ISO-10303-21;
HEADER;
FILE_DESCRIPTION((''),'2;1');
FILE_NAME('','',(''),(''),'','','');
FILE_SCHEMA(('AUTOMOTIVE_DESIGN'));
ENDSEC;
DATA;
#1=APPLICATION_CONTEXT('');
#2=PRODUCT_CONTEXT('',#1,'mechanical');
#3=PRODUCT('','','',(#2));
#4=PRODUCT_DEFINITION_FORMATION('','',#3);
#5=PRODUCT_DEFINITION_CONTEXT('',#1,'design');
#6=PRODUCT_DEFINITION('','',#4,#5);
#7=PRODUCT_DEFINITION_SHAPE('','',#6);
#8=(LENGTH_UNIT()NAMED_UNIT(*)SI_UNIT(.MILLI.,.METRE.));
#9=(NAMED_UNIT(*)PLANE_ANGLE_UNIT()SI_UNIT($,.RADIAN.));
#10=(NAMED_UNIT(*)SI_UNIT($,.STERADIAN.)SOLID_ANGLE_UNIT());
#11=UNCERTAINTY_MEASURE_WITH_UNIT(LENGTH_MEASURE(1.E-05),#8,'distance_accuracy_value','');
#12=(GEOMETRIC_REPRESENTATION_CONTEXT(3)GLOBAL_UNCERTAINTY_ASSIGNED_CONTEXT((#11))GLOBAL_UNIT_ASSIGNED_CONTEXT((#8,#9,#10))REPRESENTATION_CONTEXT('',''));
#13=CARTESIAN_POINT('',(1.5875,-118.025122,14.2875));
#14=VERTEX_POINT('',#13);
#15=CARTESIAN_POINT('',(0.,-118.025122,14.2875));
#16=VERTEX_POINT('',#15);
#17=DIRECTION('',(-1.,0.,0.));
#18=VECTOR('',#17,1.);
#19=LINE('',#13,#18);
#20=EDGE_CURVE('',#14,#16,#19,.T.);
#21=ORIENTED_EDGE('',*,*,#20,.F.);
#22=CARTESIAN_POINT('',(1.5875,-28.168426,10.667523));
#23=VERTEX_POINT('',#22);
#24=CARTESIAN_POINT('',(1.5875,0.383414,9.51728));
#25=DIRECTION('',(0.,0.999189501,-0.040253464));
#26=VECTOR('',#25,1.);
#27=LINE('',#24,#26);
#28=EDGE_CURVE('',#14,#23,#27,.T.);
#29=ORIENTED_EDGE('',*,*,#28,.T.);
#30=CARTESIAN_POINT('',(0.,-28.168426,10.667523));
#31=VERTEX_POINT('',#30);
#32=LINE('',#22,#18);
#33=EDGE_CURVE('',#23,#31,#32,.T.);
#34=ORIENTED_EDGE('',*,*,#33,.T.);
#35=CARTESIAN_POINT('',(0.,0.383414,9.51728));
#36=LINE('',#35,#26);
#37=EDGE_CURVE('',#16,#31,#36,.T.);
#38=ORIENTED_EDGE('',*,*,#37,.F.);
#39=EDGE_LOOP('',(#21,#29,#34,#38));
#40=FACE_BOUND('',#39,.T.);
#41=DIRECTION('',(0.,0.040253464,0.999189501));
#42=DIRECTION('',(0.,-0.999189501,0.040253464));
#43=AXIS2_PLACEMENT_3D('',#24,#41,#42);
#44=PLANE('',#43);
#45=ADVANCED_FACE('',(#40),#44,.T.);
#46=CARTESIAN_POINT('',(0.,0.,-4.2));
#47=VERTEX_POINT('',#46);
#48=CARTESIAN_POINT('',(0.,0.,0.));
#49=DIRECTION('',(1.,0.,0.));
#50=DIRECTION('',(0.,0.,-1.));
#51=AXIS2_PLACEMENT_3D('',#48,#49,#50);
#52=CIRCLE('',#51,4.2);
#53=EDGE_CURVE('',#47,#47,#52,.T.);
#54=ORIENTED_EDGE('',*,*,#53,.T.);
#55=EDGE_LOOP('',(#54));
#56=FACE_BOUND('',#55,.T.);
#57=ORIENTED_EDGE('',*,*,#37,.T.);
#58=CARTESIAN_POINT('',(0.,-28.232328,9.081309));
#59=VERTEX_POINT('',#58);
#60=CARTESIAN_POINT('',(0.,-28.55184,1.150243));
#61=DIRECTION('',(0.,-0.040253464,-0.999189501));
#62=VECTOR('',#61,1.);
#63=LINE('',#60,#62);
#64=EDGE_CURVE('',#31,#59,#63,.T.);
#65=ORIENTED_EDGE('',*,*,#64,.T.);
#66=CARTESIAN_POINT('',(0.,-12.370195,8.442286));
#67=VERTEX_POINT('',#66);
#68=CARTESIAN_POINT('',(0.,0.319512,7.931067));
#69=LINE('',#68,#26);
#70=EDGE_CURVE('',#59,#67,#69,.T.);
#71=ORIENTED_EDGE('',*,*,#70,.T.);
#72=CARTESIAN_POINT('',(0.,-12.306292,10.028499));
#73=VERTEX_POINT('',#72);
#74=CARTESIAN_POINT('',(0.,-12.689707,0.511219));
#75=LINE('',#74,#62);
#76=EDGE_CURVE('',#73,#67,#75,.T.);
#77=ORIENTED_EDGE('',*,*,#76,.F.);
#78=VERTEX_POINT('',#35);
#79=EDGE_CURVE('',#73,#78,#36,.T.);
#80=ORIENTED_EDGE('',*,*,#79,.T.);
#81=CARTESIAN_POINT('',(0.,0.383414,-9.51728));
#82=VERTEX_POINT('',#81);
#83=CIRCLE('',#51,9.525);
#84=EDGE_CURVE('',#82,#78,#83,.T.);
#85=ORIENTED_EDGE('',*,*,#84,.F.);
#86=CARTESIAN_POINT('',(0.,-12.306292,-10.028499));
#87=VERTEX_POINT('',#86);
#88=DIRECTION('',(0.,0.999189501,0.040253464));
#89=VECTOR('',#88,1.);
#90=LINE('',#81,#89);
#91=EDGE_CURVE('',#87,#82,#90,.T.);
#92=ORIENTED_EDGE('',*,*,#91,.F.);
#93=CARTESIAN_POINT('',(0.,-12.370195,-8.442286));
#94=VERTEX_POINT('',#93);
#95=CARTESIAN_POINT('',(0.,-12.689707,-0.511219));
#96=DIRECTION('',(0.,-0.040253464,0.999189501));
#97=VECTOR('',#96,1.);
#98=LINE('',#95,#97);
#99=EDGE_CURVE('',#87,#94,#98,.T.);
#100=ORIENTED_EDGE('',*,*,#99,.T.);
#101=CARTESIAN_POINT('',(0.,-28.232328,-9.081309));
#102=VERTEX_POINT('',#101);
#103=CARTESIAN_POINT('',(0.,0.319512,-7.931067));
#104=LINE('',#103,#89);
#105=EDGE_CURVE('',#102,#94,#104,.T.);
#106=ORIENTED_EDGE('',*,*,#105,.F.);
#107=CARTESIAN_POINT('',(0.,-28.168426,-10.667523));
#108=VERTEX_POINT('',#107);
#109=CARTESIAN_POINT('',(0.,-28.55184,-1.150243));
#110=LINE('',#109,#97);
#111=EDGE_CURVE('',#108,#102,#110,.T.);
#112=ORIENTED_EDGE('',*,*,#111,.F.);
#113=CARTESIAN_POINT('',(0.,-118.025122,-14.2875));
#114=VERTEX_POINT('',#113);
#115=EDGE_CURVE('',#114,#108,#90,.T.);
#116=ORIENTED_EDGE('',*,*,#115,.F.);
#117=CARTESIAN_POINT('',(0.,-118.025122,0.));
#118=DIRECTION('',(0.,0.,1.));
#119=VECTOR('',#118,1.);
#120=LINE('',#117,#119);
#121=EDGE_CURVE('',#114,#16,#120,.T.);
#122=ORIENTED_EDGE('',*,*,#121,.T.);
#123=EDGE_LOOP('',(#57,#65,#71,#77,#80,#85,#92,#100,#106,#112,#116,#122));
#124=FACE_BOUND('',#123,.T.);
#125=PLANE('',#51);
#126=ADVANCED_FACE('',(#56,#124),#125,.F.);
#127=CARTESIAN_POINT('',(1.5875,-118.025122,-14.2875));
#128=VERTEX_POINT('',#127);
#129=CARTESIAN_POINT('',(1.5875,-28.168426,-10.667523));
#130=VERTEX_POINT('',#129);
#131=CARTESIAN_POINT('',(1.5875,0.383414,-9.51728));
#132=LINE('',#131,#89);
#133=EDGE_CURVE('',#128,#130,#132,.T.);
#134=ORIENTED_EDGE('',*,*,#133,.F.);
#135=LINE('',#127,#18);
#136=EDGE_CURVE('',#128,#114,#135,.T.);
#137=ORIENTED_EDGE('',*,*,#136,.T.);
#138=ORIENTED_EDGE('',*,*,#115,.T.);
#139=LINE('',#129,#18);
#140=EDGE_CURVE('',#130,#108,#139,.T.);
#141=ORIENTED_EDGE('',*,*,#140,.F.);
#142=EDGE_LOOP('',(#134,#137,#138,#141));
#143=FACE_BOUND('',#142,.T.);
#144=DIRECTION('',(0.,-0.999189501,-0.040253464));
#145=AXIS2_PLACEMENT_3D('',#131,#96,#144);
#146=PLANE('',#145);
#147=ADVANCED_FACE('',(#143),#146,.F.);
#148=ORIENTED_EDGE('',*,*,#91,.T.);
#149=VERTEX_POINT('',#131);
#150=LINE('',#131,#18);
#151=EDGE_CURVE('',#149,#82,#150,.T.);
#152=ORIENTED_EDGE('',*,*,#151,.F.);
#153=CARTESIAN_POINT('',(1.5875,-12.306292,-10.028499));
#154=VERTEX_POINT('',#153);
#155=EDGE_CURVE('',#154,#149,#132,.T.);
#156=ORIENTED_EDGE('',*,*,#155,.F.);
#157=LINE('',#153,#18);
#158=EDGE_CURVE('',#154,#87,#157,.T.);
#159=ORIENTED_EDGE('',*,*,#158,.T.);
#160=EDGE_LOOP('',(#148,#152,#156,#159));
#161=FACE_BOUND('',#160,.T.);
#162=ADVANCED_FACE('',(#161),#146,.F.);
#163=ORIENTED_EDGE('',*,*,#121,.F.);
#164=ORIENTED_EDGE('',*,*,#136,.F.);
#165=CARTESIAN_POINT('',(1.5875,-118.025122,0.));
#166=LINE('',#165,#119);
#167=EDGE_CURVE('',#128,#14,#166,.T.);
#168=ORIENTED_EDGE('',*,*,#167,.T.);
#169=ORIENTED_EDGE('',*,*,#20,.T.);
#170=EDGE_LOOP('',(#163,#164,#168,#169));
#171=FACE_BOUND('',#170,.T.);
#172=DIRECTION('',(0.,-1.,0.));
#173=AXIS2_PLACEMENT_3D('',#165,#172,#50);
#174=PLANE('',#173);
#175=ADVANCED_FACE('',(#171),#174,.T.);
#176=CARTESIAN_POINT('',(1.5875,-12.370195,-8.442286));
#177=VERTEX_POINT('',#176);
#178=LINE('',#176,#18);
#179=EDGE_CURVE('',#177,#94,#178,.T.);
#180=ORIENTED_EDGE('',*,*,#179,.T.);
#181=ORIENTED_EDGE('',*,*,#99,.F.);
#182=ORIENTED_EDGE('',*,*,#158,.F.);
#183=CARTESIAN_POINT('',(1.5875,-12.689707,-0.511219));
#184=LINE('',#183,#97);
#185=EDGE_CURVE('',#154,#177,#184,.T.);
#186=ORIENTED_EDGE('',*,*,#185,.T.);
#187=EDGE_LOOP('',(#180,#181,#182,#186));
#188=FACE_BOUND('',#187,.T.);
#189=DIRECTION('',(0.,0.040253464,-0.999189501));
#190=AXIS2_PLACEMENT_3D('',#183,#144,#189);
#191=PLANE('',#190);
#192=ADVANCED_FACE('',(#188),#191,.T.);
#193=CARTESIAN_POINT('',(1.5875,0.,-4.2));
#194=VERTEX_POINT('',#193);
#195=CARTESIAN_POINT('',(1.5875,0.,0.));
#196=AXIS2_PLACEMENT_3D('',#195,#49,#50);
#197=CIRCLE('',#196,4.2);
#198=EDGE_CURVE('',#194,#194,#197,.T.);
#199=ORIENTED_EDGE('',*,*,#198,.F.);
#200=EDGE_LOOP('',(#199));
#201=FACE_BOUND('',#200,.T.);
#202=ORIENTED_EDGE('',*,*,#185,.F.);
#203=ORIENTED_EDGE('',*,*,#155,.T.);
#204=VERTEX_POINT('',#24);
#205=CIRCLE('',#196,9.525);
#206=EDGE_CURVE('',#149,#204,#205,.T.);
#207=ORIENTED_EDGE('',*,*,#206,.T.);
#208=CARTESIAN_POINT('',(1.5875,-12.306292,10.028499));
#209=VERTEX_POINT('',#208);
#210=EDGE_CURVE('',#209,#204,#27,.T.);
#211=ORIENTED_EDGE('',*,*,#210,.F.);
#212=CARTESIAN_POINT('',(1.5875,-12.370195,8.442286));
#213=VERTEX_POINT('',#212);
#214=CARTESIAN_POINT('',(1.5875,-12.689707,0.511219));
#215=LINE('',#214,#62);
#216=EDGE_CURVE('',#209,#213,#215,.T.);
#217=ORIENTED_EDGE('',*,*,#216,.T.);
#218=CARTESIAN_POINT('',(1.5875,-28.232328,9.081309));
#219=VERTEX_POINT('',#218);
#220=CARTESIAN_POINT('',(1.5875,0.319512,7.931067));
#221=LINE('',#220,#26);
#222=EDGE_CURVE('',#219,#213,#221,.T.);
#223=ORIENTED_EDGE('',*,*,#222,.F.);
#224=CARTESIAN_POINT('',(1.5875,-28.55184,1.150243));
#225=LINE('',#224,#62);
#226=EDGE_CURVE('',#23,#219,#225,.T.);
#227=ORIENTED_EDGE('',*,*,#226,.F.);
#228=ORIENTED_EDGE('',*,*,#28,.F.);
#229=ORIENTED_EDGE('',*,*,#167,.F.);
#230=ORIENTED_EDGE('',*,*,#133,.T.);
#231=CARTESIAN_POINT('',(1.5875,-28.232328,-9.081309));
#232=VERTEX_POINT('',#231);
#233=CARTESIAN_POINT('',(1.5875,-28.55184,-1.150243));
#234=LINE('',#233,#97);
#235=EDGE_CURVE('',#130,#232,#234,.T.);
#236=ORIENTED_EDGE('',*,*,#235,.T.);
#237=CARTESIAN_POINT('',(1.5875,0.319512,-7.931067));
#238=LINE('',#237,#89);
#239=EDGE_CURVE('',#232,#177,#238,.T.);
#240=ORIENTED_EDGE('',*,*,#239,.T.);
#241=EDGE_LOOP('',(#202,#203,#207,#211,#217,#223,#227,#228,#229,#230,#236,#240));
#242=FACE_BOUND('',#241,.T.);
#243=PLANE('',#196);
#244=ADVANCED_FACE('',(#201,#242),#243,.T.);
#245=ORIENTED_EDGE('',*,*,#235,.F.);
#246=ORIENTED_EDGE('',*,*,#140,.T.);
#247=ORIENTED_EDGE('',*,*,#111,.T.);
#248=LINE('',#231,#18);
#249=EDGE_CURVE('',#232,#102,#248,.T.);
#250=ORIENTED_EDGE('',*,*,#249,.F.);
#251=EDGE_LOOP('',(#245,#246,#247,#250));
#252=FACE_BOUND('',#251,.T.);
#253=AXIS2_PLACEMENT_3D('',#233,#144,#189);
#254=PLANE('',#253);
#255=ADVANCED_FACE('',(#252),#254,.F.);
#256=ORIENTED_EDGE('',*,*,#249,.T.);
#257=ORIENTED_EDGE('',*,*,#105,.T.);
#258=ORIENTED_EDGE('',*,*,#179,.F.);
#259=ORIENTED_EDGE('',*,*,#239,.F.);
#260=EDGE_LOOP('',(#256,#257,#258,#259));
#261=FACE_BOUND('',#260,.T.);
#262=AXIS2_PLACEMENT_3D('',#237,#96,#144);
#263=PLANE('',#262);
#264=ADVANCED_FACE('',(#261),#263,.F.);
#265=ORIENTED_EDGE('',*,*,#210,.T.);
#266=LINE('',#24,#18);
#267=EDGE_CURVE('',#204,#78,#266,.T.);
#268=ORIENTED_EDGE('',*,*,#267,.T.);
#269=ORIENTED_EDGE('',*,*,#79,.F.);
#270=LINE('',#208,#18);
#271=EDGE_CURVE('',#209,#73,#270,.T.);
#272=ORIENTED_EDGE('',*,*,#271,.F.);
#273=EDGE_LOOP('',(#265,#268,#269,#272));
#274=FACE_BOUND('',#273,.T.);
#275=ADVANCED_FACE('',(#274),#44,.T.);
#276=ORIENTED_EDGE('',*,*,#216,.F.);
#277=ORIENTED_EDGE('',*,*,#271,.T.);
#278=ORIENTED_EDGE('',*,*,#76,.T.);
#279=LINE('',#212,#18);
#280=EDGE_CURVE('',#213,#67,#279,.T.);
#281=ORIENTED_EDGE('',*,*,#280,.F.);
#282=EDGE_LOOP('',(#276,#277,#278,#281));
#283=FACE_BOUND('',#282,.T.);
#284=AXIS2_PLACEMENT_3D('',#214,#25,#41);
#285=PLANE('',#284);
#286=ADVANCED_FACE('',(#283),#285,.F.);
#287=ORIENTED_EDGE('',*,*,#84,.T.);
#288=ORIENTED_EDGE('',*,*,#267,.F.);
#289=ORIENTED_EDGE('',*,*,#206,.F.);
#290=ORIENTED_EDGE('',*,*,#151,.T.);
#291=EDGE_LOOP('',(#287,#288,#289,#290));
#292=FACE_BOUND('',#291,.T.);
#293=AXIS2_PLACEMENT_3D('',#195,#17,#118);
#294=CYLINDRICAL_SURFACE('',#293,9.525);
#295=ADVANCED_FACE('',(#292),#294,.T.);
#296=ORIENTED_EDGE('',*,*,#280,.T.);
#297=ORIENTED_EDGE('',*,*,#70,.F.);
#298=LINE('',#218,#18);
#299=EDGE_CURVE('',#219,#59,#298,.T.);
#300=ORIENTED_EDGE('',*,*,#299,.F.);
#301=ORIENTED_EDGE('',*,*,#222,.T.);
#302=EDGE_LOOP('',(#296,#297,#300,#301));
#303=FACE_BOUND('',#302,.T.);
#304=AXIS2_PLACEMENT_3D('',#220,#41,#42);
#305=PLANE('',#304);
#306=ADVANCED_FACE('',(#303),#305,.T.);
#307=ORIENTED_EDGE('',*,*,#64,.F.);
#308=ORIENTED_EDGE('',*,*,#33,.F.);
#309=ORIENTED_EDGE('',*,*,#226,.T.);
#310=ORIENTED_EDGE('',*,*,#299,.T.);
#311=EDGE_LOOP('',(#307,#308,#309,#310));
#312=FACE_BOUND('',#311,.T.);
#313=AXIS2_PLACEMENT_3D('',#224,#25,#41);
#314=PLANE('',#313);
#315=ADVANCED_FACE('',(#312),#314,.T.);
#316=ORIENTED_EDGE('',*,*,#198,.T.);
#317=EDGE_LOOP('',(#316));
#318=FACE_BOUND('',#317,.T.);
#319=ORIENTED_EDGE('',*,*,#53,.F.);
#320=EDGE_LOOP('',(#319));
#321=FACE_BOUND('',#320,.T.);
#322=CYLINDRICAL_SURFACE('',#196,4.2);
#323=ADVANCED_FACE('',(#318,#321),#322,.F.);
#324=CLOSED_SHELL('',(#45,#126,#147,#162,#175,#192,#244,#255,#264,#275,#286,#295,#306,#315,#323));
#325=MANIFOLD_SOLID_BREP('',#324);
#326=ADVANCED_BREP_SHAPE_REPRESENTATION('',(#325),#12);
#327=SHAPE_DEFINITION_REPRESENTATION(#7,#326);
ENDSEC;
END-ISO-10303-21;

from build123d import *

# Parameters (mm, degrees)
BOSS_EXTRUDE1_DEPTH  = 1.5875
M8_CLEARANCE_HOLE1_D = 8.4


with BuildPart() as part:
    # Sketch1 → Boss-Extrude1 (new body)
    with BuildSketch(Plane(origin=(0, 0, 0), x_dir=(0, 0, -1), z_dir=(1, 0, 0))):
        with BuildLine():
            Line((-14.2875, -118.025122157), (0, -118.025122157))
            Line((0, -118.025122157), (14.2875, -118.025122157))
            Line((14.2875, -118.025122157), (10.667522727, -28.168425744))
            Line((10.667522727, -28.168425744), (9.081309394, -28.232328118))
            Line((9.081309394, -28.232328118), (8.442285655, -12.370194791))
            Line((8.442285655, -12.370194791), (10.028498987, -12.306292417))
            Line((10.028498987, -12.306292417), (9.517279996, 0.383414244))
            ThreePointArc((9.517279996, 0.383414244), (0, 9.525), (-9.517279996, 0.383414244))
            Line((-9.517279996, 0.383414244), (-10.028498987, -12.306292417))
            Line((-10.028498987, -12.306292417), (-8.442285655, -12.370194791))
            Line((-8.442285655, -12.370194791), (-9.081309394, -28.232328118))
            Line((-9.081309394, -28.232328118), (-10.667522727, -28.168425744))
            Line((-10.667522727, -28.168425744), (-14.2875, -118.025122157))
        make_face()
    extrude(amount=BOSS_EXTRUDE1_DEPTH)

    # M8 Clearance Hole1 (through all)
    with Locations(Plane(origin=(1.5875, 0, 0), x_dir=(0, 0, -1), z_dir=(1, 0, 0))):
        with Locations((0, 0)):
            Hole(M8_CLEARANCE_HOLE1_D / 2)


solid = part.part
